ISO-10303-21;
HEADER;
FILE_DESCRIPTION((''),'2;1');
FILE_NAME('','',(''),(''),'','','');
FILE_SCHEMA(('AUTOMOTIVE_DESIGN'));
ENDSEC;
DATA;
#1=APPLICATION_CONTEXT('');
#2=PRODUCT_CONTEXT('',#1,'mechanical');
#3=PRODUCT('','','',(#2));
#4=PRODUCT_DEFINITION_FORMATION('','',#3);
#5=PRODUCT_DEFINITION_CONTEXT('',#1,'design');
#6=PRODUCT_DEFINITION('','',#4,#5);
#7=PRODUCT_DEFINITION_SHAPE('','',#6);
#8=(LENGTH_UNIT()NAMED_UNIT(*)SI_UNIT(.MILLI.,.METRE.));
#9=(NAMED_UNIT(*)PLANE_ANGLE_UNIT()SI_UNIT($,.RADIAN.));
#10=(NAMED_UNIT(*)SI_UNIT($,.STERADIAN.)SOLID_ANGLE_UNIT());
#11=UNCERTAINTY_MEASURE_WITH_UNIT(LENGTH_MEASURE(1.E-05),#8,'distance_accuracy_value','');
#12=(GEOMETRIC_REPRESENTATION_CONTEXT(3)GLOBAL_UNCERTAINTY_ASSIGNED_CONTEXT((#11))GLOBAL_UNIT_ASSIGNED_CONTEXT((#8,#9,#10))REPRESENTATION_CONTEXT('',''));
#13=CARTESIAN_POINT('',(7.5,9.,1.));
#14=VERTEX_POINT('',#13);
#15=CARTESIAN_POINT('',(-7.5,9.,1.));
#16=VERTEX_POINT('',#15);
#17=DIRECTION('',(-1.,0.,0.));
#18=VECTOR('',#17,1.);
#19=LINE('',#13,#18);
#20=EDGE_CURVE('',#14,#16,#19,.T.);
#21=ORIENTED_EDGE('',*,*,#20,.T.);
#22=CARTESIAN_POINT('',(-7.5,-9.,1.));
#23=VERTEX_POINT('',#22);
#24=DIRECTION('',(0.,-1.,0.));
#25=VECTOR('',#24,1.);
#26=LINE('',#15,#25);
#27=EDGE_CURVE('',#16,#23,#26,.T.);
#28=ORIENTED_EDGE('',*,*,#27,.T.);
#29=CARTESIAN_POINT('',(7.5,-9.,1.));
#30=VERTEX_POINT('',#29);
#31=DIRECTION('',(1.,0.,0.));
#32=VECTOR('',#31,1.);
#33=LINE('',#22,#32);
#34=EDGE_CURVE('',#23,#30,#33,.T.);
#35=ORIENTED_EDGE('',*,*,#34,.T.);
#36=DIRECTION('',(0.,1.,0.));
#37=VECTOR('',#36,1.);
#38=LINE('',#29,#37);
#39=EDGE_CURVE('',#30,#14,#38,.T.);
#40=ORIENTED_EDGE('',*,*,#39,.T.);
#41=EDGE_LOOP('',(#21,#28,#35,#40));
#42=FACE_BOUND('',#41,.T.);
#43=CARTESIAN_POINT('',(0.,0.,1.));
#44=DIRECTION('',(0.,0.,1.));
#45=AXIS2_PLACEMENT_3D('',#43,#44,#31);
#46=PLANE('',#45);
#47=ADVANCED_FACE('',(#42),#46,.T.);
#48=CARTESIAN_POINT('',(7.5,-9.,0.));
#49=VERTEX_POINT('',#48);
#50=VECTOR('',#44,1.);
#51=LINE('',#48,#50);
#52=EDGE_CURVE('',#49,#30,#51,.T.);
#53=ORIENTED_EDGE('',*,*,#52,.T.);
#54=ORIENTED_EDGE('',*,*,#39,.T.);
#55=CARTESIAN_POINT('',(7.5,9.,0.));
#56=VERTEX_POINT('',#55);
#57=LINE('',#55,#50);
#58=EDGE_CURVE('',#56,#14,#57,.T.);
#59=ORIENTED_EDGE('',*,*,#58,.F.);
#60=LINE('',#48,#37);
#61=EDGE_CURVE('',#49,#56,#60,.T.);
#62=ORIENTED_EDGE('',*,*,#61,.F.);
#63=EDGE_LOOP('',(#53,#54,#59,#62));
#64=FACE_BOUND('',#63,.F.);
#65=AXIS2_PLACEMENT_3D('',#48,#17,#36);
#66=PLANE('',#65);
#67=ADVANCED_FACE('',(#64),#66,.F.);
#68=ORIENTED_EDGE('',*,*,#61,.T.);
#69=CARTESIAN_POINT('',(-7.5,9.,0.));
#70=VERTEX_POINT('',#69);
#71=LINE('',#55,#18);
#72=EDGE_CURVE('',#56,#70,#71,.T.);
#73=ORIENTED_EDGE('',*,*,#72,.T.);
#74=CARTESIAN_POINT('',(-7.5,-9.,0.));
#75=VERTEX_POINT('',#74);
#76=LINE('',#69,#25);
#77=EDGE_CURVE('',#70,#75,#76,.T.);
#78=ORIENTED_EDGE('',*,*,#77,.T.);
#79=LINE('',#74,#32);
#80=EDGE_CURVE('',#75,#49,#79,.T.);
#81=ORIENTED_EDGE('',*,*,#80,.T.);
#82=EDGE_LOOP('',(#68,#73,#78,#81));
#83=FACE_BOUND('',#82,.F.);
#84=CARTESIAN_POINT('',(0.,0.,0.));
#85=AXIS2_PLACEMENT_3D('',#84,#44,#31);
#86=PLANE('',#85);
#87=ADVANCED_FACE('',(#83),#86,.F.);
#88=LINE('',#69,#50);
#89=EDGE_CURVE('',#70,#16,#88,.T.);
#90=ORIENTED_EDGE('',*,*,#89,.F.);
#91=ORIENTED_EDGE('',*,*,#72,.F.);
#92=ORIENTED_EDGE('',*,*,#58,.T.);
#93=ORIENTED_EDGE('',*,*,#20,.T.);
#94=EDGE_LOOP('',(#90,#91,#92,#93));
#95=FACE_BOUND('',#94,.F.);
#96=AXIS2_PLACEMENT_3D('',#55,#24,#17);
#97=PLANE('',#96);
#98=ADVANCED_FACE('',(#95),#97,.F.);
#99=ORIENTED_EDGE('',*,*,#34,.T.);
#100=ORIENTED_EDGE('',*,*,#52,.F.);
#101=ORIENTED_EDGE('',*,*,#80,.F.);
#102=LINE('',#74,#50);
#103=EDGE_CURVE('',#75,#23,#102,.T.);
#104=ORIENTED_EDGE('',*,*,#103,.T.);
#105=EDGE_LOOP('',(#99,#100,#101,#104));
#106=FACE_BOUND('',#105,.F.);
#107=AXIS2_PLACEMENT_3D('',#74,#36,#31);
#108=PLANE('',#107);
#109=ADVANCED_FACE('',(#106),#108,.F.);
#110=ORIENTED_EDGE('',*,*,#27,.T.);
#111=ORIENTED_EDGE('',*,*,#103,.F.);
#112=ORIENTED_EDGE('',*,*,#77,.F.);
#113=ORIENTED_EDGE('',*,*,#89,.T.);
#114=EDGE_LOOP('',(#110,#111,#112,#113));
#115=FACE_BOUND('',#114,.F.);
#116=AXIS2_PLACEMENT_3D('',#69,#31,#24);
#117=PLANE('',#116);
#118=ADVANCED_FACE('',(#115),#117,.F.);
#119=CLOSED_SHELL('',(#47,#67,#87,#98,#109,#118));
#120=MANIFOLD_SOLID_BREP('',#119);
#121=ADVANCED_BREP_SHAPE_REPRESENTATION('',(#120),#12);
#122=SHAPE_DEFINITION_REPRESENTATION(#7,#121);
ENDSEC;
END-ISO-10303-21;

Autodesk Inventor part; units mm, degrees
ref_plane "YZ Plane" through (0, 0, 0) normal (1, 0, 0) x (0, 1, 0)
ref_plane "XZ Plane" through (0, 0, 0) normal (0, 1, 0) x (-1, 0, 0)
ref_plane "XY Plane" through (0, 0, 0) normal (0, 0, 1) x (1, 0, 0)
sketch "Sketch1" plane through (0, 0, 0) normal (0, 0, 1) x (1, 0, 0)
  line L0 (-7.5, -9) -> (7.5, -9)
  line L1 (7.5, -9) -> (7.5, 9)
  line L2 (7.5, 9) -> (-7.5, 9)
  line L3 (-7.5, 9) -> (-7.5, -9)
  line L4 (-7.5, -9) -> (7.5, 9) construction
  line L5 (7.5, -9) -> (-7.5, 9) construction
  point P0 (0, 0)
  dimension "d0" = 15
  dimension "d1" = 18
extrude "Extrusion1" add sketch "Sketch1" along normal blind 1
properties material "Glass, Frosted"
